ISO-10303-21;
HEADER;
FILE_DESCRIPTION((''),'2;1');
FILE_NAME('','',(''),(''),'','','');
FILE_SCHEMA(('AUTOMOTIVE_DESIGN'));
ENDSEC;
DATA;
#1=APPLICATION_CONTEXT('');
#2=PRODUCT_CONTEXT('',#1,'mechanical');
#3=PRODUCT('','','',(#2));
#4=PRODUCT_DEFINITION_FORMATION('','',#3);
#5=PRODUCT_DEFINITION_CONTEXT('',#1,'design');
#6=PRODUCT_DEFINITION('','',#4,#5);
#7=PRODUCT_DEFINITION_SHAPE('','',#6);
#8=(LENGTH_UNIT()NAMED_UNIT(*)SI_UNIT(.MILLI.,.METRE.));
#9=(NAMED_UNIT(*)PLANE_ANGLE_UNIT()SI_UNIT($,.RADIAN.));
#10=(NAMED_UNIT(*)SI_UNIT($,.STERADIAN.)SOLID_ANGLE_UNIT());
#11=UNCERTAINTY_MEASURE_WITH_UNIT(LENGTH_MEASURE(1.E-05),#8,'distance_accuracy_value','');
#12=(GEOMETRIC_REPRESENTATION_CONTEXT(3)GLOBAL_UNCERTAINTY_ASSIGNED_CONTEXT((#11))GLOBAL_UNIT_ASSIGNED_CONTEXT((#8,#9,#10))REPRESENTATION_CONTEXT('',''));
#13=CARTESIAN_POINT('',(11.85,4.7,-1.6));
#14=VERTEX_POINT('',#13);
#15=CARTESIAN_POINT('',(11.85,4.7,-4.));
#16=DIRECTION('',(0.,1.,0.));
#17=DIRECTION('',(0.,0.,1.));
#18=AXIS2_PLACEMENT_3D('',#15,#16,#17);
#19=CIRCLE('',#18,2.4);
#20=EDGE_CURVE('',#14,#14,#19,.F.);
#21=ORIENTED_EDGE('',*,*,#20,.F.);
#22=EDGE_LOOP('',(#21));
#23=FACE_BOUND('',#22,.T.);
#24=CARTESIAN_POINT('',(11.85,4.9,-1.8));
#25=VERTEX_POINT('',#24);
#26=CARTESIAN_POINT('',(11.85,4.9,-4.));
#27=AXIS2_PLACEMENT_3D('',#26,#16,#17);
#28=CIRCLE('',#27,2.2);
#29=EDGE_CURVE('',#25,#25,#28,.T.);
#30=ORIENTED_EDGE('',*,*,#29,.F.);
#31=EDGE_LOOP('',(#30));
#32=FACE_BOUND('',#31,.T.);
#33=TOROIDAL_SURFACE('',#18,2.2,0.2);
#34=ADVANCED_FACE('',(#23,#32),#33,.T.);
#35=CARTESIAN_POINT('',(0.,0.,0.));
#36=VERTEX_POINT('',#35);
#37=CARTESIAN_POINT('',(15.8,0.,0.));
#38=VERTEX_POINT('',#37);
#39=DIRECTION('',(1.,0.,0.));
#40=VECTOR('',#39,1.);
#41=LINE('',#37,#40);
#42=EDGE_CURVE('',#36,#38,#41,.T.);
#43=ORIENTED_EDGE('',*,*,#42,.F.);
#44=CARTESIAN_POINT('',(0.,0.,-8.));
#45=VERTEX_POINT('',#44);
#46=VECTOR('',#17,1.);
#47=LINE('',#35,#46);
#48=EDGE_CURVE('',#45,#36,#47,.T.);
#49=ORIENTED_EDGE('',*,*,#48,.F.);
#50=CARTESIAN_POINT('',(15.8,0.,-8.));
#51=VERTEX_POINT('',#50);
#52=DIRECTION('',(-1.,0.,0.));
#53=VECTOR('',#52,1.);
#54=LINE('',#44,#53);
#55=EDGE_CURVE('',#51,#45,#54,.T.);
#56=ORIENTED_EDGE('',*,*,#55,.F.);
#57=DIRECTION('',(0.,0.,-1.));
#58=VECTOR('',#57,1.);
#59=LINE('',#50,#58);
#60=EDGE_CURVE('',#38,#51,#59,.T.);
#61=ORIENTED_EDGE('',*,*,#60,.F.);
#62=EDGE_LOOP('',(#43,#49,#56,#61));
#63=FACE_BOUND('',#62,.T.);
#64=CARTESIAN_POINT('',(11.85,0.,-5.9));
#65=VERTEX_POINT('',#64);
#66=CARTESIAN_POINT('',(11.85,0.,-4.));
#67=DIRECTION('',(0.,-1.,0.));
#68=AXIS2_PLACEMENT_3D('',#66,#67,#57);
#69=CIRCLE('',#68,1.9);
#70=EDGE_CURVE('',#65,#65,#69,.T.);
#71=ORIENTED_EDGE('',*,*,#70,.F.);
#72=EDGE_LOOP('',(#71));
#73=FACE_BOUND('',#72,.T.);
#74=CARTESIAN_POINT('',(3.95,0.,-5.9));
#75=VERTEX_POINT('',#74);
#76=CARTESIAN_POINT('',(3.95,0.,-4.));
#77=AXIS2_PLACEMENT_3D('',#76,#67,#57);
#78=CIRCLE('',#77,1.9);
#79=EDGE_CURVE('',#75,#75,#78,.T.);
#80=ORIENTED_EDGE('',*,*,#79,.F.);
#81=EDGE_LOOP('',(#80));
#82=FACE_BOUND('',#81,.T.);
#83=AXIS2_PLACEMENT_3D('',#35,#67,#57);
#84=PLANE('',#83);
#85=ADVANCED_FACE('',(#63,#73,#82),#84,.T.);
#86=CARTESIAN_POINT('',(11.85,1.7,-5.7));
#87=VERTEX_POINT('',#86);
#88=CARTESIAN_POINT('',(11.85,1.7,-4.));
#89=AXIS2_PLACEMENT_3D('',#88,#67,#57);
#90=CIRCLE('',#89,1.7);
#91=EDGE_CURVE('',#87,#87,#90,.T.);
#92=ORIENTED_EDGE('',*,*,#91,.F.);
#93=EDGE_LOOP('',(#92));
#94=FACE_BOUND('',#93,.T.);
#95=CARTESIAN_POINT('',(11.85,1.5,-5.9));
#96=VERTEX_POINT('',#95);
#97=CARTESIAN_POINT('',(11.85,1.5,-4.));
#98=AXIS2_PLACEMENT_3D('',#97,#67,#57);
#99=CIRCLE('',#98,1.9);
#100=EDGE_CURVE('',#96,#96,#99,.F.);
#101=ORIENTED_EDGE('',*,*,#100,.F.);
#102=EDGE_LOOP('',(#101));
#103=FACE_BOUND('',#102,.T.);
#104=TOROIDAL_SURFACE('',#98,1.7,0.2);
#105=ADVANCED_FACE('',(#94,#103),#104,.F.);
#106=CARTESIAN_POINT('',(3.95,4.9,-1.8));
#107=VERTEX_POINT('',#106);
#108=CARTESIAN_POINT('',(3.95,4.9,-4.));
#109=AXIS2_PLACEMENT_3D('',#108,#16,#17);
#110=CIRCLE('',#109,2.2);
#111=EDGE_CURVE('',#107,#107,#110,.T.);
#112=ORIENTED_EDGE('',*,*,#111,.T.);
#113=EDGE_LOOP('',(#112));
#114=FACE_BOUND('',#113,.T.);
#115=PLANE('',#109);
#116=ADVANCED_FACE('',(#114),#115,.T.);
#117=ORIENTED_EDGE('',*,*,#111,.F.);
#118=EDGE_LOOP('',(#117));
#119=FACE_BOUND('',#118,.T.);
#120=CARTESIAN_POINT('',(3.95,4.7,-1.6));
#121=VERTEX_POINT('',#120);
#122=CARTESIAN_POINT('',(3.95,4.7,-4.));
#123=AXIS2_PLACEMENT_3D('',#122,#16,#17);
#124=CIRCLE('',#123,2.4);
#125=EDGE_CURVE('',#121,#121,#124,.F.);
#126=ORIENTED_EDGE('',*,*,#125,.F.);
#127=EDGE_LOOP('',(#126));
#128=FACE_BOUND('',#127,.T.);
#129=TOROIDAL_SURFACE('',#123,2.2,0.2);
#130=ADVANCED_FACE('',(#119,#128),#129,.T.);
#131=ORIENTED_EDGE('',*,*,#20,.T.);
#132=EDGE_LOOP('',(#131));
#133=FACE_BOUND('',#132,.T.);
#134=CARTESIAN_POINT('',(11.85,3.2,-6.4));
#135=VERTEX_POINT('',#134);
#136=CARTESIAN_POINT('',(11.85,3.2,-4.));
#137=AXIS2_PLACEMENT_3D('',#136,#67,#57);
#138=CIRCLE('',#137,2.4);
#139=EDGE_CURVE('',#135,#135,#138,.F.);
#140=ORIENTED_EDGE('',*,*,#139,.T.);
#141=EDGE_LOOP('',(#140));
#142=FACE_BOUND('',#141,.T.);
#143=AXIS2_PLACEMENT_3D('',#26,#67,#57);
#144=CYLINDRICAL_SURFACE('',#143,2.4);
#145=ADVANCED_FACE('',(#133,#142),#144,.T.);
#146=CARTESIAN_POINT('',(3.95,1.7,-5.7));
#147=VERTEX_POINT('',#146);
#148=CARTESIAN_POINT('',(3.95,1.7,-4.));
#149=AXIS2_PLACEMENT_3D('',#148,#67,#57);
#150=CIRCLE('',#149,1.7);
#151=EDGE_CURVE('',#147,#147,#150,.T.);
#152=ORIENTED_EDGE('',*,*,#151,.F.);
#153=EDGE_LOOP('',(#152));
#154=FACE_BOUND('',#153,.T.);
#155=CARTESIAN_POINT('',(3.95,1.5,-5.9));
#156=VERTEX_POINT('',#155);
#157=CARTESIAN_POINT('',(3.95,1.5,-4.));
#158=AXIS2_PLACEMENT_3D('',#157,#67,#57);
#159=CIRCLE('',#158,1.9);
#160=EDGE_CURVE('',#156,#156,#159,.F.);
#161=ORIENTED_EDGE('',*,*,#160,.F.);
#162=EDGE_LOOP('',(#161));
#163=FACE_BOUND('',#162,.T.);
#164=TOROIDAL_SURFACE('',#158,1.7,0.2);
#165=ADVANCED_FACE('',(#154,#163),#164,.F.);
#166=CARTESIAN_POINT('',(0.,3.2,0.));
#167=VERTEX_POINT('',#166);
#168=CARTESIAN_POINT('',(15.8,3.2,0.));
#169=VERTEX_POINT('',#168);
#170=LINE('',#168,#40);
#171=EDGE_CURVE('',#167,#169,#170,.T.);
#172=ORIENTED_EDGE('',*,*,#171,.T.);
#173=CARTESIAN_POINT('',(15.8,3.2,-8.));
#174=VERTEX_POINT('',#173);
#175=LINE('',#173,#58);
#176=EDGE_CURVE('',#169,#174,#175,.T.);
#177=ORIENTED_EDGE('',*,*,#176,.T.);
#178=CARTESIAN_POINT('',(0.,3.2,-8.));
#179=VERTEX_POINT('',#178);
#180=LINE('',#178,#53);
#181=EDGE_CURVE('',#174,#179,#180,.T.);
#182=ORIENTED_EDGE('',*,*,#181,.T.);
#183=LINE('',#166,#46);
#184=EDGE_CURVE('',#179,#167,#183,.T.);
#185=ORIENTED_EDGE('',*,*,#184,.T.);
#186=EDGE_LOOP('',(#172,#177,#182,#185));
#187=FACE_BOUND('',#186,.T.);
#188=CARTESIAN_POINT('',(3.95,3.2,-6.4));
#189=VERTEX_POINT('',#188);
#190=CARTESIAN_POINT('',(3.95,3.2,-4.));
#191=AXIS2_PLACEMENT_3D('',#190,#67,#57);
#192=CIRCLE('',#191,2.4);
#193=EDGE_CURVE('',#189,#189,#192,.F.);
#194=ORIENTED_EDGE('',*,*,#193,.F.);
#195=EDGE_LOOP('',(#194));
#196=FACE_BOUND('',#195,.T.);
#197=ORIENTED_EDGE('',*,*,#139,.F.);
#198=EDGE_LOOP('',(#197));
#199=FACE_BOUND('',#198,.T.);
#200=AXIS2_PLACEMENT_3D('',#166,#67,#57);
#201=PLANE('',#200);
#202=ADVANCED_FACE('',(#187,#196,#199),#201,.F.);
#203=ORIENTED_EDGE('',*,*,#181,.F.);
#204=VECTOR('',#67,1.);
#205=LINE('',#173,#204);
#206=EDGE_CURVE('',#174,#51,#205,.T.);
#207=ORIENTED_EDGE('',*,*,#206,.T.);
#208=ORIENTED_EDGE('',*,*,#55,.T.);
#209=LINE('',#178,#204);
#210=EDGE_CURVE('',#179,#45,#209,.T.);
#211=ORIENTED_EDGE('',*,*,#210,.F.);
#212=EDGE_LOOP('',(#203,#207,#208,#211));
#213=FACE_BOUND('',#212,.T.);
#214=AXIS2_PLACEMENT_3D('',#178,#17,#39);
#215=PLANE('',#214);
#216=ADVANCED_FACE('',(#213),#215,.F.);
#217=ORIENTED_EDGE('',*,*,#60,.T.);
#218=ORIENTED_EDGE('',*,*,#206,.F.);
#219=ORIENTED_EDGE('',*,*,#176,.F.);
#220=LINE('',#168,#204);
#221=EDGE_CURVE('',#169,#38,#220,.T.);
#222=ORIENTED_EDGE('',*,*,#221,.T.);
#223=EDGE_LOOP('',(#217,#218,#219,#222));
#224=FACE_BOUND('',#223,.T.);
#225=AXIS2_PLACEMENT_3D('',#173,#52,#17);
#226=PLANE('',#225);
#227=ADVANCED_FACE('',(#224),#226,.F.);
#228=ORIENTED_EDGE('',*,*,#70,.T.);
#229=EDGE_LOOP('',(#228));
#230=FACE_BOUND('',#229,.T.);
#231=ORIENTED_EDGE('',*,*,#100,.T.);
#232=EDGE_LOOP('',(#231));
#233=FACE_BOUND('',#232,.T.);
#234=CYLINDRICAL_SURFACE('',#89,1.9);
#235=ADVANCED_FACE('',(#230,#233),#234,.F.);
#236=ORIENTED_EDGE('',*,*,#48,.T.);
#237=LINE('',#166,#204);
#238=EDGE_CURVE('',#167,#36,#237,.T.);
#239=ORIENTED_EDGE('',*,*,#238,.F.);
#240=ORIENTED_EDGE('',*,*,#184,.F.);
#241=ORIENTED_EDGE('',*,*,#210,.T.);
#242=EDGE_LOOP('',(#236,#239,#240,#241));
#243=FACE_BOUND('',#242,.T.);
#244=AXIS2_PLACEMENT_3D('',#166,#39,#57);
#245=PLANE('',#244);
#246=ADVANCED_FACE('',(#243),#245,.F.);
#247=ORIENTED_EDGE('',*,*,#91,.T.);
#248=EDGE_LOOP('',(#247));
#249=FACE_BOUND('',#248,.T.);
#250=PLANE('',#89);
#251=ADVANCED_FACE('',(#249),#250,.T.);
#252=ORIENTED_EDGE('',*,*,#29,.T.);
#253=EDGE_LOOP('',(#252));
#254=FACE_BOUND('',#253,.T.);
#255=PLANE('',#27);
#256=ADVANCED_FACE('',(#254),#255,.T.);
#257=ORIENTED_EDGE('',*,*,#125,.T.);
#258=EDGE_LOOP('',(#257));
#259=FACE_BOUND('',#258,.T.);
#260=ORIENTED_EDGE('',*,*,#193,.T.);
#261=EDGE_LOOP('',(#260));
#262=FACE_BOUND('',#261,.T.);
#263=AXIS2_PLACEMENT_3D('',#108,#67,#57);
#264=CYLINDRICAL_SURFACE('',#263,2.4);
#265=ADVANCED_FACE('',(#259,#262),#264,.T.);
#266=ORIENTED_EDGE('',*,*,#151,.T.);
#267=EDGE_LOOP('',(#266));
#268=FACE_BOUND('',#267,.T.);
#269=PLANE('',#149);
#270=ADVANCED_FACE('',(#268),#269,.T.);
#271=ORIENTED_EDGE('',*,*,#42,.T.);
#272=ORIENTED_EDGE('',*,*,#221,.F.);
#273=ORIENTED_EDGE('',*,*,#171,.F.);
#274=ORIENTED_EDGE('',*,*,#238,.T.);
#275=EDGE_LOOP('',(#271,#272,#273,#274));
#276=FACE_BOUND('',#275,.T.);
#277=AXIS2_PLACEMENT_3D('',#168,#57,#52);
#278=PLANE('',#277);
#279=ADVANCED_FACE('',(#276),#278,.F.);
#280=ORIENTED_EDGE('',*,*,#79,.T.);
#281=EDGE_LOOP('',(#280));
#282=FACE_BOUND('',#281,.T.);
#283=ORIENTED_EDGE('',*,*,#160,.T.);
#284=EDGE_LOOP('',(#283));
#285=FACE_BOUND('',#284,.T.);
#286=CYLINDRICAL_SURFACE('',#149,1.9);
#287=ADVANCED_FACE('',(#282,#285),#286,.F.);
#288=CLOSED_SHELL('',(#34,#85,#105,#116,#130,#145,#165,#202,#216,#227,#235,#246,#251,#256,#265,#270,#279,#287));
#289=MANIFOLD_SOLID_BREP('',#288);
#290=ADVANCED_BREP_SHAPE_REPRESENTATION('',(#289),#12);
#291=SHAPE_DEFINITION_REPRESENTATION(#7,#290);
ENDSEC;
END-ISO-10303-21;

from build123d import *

# Parameters (mm, degrees)
ESQUISSE1_W             = 15.8
ESQUISSE1_H             = 8
BOSS_EXTRU_1_DEPTH      = 3.2
ESQUISSE2_R             = 2.4
BOSS_EXTRU_2_DEPTH      = 1.7
ESQUISSE3_R             = 1.9
ENL_V_MAT_EXTRU_1_DEPTH = 1.7
CONG_1_R                = 0.2


with BuildPart() as part:
    # Esquisse1 → Boss.-Extru.1 (new body)
    with BuildSketch(Plane(origin=(0, 0, 0), x_dir=(1, 0, 0), z_dir=(0, 1, 0))):
        with Locations((7.9, 4)):
            Rectangle(ESQUISSE1_W, ESQUISSE1_H)
    extrude(amount=BOSS_EXTRU_1_DEPTH)

    # Esquisse2 → Boss.-Extru.2 (add)
    with BuildSketch(Plane(origin=(0, 3.2, 0), x_dir=(1, 0, 0), z_dir=(0, 1, 0))):
        with Locations(Location((3.95, 4, 0), (0, 0, 90))):
            Circle(ESQUISSE2_R)
        with Locations(Location((11.85, 4, 0), (0, 0, 90))):
            Circle(ESQUISSE2_R)
    extrude(amount=BOSS_EXTRU_2_DEPTH)

    # Esquisse3 → Enlèv. mat.-Extru.1 (cut)
    with BuildSketch(Plane.XZ):
        with Locations(Location((3.95, -4, 0), (0, 0, 270))):
            Circle(ESQUISSE3_R)
        with Locations(Location((11.85, -4, 0), (0, 0, 270))):
            Circle(ESQUISSE3_R)
    extrude(amount=-ENL_V_MAT_EXTRU_1_DEPTH, mode=Mode.SUBTRACT)

    # Congé1
    cong_1_edges = [part.edges().sort_by_distance(p)[0] for p in [
        (3.95, 4.9, -1.6),
        (11.85, 4.9, -1.6),
        (3.95, 1.7, -2.1),
        (11.85, 1.7, -2.1),
    ]]
    fillet(cong_1_edges, radius=CONG_1_R)


solid = part.part
